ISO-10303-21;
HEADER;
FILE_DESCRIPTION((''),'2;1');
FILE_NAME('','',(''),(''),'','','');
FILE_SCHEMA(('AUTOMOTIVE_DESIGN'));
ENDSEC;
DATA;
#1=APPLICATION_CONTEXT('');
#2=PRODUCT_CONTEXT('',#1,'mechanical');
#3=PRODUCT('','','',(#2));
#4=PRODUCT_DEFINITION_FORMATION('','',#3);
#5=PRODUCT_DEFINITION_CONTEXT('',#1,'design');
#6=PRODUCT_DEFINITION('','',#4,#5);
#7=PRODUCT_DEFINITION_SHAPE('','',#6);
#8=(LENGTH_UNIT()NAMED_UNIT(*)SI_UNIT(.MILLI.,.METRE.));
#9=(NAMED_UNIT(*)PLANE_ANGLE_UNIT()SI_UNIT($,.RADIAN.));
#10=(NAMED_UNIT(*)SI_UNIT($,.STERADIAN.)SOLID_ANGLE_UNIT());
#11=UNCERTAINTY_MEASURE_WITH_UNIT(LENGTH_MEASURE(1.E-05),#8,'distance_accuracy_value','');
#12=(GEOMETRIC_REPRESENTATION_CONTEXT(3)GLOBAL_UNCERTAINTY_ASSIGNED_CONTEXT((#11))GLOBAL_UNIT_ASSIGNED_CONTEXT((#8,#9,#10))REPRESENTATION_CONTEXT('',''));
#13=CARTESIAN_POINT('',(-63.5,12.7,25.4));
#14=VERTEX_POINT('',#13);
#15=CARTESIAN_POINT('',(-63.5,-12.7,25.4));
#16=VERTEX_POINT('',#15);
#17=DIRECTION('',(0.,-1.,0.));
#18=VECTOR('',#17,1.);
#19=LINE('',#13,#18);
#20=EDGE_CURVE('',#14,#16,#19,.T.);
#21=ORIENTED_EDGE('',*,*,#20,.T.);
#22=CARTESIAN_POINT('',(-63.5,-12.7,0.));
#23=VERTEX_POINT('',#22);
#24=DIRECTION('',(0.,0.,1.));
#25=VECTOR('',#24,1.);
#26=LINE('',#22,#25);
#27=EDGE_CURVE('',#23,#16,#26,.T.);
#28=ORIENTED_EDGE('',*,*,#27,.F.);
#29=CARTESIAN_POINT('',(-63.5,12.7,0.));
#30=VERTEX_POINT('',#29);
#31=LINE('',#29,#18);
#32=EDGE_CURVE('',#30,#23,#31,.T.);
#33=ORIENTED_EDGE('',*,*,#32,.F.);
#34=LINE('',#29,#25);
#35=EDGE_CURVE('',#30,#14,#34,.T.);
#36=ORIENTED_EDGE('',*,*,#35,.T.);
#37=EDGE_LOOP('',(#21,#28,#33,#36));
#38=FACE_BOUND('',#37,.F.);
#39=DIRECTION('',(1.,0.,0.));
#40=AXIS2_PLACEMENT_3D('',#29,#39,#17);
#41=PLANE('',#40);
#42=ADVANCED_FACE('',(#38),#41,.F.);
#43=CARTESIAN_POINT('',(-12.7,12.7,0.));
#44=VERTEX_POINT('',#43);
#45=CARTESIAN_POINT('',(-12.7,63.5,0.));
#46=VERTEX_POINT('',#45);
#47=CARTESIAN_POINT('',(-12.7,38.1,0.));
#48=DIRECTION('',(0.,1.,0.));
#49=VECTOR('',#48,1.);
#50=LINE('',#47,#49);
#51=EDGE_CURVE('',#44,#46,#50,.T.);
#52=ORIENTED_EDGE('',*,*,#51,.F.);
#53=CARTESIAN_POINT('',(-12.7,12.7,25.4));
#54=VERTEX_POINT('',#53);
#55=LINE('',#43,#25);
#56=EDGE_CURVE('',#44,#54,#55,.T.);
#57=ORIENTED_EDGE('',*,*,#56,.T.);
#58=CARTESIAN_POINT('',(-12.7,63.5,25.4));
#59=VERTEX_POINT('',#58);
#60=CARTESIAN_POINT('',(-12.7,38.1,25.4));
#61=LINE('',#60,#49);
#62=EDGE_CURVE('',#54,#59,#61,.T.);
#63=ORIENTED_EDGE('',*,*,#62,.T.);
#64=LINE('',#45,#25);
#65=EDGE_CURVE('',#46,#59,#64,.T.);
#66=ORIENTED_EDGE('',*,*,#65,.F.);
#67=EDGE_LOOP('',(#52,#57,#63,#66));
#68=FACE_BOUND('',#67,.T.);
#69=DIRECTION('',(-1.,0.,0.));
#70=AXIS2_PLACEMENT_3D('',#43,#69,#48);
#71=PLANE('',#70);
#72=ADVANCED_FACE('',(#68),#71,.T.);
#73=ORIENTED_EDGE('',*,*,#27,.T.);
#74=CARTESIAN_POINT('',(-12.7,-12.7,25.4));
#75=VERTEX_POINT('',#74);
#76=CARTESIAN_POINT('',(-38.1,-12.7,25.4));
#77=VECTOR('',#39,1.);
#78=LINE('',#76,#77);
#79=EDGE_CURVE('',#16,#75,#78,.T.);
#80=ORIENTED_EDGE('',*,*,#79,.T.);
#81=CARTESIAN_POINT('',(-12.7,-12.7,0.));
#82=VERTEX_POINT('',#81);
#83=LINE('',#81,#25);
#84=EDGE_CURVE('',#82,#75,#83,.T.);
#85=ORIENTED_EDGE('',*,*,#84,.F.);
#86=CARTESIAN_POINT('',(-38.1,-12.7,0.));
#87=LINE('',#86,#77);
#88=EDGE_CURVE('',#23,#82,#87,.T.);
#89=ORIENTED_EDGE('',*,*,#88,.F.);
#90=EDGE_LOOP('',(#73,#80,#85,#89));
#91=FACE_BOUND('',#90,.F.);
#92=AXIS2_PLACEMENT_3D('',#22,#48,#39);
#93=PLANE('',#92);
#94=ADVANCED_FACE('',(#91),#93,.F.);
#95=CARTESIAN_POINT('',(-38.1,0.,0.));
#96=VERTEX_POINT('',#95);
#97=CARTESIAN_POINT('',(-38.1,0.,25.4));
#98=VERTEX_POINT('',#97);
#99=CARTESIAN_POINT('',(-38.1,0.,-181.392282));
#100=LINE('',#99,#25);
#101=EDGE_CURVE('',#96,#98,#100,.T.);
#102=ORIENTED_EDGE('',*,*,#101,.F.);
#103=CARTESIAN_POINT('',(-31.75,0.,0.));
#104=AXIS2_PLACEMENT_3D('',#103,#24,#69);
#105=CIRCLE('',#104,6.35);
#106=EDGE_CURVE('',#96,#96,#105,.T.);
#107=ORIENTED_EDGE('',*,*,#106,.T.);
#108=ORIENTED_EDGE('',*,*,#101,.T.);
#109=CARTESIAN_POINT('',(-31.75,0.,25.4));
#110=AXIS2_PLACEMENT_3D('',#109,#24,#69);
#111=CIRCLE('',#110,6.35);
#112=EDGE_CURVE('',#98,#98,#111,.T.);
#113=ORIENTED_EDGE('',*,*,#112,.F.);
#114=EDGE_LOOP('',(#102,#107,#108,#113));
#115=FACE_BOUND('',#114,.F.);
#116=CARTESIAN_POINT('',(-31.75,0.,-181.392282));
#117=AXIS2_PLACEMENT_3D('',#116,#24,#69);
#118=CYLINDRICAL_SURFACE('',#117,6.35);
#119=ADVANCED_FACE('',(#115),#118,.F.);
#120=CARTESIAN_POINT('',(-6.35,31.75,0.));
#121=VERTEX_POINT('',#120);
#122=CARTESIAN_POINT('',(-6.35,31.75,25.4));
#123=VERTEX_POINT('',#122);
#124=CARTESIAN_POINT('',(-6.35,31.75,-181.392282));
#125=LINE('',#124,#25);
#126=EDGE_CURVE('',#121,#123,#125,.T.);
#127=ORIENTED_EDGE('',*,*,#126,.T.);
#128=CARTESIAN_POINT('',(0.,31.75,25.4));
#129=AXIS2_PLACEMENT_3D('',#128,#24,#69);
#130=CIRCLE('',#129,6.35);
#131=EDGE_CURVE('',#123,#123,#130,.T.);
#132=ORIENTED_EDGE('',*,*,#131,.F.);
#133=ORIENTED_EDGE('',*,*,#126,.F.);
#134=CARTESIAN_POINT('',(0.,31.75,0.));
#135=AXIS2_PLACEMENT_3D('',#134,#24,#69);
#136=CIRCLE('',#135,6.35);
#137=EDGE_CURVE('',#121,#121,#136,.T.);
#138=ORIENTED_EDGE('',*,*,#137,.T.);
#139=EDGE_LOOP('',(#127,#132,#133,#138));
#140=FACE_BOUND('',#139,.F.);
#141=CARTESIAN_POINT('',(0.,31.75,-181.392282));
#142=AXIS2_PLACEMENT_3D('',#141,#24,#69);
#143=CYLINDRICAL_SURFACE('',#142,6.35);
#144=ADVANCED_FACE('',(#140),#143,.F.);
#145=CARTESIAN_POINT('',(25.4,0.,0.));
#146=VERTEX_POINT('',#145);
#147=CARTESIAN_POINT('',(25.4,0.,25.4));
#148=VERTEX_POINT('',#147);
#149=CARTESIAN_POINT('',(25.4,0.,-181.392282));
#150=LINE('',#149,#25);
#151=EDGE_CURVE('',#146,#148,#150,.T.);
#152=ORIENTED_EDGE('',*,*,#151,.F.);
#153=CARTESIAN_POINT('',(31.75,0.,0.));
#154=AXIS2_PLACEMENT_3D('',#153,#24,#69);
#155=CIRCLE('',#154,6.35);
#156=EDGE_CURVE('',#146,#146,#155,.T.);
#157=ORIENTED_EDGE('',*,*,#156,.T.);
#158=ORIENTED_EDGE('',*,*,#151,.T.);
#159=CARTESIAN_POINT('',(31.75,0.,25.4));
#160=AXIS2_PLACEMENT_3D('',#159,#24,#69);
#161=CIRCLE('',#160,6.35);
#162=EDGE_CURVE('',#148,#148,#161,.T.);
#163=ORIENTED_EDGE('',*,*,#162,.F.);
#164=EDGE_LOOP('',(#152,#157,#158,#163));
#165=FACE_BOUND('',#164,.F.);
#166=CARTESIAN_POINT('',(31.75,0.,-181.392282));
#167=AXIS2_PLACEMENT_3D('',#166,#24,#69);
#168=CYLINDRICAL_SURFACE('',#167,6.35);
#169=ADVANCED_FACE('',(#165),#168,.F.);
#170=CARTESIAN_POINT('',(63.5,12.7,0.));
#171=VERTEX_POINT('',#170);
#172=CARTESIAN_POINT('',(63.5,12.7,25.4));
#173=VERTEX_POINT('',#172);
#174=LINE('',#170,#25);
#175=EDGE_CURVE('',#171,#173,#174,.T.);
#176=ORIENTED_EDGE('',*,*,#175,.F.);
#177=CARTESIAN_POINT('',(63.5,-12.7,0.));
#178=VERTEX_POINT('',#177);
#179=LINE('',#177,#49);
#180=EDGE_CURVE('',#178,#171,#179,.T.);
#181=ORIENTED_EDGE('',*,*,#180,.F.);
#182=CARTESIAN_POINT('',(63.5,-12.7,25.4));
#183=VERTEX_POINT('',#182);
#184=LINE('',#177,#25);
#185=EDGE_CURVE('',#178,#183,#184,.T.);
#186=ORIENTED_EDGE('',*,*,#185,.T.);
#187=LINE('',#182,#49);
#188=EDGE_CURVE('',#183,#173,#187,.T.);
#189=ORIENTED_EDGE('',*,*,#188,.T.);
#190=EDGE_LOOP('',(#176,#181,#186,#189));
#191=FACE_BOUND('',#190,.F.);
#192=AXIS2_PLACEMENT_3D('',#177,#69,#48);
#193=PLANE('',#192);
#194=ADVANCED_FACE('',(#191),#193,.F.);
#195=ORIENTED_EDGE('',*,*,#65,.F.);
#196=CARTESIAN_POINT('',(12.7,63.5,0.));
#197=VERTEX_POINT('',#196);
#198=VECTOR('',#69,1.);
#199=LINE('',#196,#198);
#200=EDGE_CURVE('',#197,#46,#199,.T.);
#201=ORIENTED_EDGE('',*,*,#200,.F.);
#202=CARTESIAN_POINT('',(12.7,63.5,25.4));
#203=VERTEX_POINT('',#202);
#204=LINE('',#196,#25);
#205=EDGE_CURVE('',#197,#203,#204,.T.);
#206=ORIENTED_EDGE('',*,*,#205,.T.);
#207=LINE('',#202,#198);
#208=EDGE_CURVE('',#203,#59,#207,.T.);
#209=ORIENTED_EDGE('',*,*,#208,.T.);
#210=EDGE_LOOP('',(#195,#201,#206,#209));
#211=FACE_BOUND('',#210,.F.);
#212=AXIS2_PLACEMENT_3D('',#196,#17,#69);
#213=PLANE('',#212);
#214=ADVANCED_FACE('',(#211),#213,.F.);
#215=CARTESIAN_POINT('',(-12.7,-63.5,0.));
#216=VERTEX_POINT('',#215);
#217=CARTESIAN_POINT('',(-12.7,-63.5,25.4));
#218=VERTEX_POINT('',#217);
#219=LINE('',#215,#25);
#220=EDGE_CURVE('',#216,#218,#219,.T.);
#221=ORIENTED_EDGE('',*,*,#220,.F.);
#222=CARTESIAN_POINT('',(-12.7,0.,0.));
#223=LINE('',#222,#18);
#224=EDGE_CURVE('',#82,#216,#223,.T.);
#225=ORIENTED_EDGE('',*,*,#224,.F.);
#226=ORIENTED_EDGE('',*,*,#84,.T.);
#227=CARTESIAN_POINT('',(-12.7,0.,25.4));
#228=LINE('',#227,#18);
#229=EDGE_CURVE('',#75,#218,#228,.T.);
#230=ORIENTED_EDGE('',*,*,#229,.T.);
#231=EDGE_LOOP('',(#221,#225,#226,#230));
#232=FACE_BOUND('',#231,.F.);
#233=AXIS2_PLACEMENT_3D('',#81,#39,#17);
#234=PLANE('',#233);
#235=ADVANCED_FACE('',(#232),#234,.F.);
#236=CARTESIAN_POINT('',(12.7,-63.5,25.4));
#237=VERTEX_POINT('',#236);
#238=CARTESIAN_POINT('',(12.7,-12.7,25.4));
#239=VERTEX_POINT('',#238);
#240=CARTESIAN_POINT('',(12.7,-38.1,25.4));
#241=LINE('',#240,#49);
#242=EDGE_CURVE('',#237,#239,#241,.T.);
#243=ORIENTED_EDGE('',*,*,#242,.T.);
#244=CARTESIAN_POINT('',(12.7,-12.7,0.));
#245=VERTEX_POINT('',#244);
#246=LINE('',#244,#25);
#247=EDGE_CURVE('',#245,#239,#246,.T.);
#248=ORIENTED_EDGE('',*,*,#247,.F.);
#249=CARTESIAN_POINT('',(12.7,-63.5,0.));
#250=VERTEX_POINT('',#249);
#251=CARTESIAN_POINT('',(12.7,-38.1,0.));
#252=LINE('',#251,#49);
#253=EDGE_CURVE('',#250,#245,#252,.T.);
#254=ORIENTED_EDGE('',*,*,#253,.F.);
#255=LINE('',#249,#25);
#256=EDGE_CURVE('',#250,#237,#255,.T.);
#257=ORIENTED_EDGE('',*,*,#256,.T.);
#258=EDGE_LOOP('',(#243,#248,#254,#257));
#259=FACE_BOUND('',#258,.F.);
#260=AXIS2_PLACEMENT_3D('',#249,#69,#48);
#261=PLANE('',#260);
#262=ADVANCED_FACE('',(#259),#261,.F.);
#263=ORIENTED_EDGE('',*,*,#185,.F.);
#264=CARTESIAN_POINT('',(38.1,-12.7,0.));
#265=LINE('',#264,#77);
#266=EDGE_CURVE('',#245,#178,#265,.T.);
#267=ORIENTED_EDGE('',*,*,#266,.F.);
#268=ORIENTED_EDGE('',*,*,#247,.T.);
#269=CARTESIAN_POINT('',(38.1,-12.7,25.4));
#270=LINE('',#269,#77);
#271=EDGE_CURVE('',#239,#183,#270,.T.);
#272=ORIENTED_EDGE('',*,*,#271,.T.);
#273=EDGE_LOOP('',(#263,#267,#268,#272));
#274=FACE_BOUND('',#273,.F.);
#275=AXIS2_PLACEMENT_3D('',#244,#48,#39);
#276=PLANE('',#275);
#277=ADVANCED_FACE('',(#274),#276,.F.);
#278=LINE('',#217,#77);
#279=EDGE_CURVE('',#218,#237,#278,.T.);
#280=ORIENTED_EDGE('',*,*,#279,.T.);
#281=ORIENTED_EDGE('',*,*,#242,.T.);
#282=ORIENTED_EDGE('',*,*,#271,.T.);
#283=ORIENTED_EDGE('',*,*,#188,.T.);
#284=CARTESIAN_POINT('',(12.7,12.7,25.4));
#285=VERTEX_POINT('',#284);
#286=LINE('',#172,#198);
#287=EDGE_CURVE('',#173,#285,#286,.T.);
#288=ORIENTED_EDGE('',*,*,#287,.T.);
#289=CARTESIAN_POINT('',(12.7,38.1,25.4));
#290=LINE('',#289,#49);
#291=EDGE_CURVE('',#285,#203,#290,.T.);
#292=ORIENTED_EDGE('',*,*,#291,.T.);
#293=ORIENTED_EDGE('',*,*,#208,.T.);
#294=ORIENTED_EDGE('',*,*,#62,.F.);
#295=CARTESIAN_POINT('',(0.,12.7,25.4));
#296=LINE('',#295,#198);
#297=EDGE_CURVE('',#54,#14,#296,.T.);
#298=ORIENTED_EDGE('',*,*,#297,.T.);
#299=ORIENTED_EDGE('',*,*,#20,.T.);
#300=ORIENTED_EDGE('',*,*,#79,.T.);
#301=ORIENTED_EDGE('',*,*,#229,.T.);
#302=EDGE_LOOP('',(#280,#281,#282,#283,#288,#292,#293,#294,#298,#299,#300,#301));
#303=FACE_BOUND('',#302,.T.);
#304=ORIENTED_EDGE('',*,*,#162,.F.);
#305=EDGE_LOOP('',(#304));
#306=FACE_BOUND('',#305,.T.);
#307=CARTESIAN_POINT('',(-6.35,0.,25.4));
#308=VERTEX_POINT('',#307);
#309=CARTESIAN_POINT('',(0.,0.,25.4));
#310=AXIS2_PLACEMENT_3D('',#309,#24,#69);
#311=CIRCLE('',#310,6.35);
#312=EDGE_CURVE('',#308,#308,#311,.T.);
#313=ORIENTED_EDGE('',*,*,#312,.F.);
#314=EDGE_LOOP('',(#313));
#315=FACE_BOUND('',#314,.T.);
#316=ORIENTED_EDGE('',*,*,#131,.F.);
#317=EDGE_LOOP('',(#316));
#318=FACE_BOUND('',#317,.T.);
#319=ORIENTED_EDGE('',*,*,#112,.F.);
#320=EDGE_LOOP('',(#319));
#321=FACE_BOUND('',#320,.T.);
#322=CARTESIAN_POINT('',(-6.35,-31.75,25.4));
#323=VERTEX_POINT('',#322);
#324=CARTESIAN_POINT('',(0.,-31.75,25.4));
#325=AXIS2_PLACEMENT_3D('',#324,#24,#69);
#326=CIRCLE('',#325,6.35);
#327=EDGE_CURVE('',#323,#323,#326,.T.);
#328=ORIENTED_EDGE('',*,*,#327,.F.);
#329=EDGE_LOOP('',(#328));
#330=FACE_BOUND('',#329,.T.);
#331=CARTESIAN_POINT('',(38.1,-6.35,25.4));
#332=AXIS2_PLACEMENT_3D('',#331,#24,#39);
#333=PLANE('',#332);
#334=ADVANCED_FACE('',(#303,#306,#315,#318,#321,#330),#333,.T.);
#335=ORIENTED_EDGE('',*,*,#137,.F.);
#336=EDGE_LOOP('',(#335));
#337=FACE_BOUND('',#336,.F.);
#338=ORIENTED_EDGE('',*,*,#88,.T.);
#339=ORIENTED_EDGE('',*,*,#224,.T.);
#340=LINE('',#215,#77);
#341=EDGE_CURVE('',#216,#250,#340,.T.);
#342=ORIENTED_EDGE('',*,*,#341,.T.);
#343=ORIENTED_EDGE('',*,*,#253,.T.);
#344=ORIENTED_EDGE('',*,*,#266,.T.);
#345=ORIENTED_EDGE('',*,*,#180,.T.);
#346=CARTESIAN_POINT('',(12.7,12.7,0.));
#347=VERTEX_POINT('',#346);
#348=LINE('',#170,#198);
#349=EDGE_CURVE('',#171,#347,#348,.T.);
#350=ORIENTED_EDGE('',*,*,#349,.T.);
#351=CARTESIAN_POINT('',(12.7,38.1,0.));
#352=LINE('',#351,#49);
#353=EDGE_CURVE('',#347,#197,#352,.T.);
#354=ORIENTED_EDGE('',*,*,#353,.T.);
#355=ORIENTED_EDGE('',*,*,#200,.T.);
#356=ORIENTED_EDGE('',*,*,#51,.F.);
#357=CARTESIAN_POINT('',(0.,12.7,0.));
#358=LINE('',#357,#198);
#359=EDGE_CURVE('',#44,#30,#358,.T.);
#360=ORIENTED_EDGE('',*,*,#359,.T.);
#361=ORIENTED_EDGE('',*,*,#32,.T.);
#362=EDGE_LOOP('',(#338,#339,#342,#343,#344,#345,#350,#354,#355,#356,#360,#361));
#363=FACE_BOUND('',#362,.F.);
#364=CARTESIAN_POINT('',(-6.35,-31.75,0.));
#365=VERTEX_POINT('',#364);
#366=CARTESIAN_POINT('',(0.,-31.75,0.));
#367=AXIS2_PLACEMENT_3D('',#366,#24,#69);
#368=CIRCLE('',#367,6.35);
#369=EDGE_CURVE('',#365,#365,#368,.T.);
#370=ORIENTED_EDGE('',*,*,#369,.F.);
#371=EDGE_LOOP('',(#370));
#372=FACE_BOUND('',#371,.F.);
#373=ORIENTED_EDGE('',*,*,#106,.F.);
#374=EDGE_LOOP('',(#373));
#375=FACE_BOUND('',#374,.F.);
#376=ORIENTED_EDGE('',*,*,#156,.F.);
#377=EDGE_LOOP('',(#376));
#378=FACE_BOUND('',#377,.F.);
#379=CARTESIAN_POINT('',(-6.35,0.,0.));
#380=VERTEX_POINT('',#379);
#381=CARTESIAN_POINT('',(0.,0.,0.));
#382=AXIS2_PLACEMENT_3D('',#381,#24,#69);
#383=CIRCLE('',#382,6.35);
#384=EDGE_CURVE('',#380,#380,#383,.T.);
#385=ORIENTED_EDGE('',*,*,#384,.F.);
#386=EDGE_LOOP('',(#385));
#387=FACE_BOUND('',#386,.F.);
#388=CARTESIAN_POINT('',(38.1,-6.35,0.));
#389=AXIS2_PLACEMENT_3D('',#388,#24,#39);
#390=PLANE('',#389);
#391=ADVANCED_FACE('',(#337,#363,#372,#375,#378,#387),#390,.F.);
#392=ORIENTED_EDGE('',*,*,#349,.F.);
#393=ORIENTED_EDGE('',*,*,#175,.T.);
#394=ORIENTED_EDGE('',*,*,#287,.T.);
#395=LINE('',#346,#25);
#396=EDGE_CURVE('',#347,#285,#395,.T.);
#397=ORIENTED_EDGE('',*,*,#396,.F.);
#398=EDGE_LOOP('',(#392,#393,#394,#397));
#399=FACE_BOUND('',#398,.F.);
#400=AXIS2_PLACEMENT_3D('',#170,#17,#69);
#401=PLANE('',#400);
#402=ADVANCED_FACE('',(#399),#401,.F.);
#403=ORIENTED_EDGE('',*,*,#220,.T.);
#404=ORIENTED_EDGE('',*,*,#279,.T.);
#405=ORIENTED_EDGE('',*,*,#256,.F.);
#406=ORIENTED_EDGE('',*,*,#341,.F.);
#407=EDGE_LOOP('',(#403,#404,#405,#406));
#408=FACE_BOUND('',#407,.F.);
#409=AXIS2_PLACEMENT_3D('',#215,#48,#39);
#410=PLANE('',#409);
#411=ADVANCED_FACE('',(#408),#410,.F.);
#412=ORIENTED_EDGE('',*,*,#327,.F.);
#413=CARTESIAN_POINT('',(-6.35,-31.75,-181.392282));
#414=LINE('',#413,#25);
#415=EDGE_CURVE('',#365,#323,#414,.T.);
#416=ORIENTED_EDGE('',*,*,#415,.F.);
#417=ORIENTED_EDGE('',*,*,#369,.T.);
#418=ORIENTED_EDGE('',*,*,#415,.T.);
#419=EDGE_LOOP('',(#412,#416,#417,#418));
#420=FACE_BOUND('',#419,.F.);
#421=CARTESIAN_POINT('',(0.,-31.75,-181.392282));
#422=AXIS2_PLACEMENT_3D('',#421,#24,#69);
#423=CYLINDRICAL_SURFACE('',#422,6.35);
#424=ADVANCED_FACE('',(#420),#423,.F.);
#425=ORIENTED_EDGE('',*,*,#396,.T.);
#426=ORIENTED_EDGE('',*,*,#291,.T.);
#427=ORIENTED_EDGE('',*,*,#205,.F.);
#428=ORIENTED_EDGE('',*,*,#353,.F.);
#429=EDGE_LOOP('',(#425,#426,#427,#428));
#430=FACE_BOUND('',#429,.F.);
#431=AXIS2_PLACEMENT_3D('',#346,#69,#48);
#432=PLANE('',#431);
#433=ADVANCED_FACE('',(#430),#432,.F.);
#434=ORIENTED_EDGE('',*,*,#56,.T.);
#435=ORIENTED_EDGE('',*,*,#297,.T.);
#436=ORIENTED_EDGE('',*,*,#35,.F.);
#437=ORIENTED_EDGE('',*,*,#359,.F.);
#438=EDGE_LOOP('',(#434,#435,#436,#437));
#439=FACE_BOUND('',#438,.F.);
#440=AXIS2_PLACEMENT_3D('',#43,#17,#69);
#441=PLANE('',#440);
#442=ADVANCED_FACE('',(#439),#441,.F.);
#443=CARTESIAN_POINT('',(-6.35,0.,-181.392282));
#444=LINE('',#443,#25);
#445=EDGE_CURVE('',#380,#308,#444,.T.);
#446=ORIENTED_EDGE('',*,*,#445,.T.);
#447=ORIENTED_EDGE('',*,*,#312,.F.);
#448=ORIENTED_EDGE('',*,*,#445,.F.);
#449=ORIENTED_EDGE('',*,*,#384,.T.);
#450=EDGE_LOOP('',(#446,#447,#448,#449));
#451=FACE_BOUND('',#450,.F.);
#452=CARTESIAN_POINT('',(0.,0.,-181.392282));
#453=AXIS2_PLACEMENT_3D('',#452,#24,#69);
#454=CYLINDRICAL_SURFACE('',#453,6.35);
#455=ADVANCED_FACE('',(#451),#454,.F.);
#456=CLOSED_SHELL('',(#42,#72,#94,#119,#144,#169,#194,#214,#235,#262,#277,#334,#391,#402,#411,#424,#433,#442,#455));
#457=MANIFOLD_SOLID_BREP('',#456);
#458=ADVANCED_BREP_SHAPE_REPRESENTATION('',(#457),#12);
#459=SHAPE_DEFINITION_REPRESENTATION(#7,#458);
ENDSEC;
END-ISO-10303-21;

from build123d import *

# Parameters (mm, degrees)
F0_W     = 50.8
F0_H     = 12.7
F0_W_2   = 12.7
F0_H_2   = 50.8
F1_DEPTH = 25.4
F2_D     = 12.7


with BuildPart() as f1:
    # F0 (on Top) → F1 (new body)
    with BuildSketch(Plane.XY):
        with Locations((38.1, -6.35)):
            Rectangle(F0_W, F0_H)
        with Locations((6.35, -38.1)):
            Rectangle(F0_W_2, F0_H_2)
        with Locations((6.35, -6.35)):
            Rectangle(F0_W_2, F0_H)
        with Locations((38.1, 6.35)):
            Rectangle(F0_W, F0_H)
        with Locations((-6.35, -38.1)):
            Rectangle(F0_W_2, F0_H_2)
        with Locations((-6.35, -6.35)):
            Rectangle(F0_W_2, F0_H)
        with Locations((6.35, 6.35)):
            Rectangle(F0_W_2, F0_H)
        with Locations((-38.1, -6.35)):
            Rectangle(F0_W, F0_H)
        with Locations((-6.35, 6.35)):
            Rectangle(F0_W_2, F0_H)
        with Locations((6.35, 38.1)):
            Rectangle(F0_W_2, F0_H_2)
        with Locations((-38.1, 6.35)):
            Rectangle(F0_W, F0_H)
        with Locations((-6.35, 38.1)):
            Rectangle(F0_W_2, F0_H_2)
    extrude(amount=F1_DEPTH)

    # F2 (through all)
    with Locations(Plane(origin=(0, 0, 0), x_dir=(1, 0, 0), z_dir=(0, 0, -1))):
        with Locations((31.75, 0), (0, -31.75), (-31.75, 0), (0, 0), (0, 31.75)):
            Hole(F2_D / 2)


solid = f1.part
